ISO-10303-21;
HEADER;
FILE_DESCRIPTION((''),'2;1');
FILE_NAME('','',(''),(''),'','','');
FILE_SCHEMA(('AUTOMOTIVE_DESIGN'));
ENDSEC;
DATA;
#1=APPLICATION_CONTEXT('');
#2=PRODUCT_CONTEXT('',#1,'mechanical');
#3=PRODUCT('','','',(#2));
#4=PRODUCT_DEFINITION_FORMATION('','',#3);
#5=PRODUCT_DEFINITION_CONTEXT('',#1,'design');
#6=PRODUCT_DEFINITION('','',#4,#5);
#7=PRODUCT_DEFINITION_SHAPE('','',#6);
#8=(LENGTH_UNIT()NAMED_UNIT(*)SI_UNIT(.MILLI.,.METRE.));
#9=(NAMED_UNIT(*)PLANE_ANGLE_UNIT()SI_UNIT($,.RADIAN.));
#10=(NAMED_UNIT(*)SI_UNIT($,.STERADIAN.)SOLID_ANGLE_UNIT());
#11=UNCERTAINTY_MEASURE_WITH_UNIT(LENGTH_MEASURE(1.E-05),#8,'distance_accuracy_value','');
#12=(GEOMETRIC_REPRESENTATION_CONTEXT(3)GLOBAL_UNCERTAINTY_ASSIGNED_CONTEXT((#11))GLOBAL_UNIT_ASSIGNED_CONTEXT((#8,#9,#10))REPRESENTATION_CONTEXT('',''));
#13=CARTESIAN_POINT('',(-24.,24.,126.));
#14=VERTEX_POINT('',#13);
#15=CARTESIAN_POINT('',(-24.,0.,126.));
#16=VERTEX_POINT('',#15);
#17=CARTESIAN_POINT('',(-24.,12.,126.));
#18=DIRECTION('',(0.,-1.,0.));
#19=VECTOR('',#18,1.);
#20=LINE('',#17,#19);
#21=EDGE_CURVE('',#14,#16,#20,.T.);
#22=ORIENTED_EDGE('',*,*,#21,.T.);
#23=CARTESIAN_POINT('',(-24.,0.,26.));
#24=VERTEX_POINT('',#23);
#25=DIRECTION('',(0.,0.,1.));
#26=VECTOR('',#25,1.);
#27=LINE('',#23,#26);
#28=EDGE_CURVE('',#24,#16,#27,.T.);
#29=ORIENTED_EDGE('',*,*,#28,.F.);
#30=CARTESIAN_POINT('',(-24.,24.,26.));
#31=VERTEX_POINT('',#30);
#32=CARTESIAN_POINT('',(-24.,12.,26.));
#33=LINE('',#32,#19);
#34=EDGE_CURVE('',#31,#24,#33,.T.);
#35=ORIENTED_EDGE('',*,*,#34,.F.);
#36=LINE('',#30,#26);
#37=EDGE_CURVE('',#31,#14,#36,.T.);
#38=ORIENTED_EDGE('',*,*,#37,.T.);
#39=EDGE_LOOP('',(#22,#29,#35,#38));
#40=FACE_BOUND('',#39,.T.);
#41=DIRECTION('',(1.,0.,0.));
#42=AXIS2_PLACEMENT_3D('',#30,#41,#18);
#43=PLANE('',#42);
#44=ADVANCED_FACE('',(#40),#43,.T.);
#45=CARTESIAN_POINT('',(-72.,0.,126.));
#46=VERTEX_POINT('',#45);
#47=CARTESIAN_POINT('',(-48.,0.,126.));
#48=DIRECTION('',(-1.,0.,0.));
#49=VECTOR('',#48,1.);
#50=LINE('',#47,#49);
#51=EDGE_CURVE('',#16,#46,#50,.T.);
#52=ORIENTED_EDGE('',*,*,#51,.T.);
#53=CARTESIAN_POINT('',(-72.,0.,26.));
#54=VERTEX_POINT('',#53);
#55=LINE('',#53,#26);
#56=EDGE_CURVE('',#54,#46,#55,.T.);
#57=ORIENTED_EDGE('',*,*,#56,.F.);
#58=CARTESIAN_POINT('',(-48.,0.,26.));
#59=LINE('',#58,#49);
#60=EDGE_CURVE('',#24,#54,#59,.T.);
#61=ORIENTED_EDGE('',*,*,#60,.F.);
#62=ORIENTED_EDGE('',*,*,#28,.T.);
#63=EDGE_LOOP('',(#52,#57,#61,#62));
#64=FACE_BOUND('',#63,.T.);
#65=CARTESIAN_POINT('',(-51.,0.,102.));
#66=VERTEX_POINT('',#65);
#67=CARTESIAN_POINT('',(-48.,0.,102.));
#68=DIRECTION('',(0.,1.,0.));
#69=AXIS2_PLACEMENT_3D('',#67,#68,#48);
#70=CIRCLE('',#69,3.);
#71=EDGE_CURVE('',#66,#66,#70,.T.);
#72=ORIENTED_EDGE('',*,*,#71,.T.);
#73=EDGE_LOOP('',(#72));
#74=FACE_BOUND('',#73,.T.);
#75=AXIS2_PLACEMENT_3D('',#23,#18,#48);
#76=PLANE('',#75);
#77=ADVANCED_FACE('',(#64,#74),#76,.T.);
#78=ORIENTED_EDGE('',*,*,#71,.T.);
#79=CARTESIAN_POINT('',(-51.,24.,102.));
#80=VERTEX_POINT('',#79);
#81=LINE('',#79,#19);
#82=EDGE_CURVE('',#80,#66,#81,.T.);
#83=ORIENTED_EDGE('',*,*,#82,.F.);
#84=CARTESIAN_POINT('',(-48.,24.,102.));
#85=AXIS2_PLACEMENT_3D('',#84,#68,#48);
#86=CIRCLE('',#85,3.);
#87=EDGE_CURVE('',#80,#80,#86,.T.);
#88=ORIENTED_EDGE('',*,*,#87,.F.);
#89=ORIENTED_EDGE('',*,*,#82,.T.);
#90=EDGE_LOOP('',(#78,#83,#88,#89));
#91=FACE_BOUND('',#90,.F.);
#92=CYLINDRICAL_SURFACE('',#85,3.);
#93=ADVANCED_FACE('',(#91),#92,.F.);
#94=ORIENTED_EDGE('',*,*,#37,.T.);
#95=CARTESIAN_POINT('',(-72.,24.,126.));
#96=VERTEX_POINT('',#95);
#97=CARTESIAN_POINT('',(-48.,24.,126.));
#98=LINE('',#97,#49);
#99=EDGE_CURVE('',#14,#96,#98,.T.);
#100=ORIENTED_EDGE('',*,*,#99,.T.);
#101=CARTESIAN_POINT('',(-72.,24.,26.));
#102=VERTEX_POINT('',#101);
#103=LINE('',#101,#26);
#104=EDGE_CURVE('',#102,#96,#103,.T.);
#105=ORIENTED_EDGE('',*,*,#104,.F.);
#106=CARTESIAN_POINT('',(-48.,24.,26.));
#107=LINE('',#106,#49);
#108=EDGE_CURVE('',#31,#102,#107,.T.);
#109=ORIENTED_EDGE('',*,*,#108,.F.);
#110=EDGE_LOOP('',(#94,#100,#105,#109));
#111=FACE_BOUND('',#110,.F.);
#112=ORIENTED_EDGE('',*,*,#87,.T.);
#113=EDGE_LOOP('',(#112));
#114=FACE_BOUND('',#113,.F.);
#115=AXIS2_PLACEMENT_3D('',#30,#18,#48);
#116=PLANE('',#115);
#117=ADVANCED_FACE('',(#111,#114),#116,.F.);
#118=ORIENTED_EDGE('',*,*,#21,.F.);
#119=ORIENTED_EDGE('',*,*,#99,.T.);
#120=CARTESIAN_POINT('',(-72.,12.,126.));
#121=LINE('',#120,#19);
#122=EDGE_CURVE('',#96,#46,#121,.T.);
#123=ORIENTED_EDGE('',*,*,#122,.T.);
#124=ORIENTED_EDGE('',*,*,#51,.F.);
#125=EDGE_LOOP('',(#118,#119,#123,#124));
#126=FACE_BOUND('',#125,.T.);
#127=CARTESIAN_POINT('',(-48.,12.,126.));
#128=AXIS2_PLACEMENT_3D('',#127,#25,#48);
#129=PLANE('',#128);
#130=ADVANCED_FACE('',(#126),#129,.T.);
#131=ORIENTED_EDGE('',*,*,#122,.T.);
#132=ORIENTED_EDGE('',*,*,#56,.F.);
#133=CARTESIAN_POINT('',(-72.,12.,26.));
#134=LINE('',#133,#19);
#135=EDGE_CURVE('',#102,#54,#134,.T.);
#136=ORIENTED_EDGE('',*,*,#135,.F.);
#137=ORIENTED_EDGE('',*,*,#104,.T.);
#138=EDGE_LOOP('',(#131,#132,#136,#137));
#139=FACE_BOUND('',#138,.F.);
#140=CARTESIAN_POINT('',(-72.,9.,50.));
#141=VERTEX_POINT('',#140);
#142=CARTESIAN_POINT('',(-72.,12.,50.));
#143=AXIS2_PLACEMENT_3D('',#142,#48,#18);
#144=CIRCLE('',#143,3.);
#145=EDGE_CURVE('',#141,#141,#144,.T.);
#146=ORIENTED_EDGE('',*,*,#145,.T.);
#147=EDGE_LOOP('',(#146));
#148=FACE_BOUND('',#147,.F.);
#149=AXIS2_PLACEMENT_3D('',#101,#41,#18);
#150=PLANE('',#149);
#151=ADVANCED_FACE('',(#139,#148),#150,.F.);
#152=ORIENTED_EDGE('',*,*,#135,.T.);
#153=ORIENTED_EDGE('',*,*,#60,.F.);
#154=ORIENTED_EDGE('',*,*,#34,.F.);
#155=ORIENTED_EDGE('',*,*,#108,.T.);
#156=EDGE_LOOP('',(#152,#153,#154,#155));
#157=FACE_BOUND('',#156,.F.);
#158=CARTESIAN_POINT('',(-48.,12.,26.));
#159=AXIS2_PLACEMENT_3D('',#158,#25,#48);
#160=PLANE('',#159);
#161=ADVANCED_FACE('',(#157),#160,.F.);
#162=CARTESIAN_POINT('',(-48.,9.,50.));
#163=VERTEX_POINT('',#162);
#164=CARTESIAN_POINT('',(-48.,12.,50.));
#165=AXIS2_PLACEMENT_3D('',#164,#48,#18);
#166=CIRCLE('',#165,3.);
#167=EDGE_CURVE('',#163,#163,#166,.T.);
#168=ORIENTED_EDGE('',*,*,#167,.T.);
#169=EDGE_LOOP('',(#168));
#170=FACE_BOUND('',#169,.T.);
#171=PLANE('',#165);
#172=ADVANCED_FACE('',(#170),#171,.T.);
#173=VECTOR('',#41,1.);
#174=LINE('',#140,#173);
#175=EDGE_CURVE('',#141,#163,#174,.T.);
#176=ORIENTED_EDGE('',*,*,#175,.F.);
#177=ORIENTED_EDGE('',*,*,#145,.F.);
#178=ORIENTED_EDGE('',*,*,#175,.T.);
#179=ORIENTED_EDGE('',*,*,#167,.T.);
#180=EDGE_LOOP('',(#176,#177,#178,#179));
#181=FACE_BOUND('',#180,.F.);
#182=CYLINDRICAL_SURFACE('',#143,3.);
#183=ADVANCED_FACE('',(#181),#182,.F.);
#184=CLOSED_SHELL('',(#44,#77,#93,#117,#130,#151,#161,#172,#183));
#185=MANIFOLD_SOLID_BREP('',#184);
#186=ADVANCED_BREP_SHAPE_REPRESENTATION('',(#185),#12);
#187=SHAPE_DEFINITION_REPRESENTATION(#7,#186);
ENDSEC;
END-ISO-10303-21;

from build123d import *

# Parameters (mm, degrees)
SKETCH066_W             = 48
SKETCH066_H             = 24
PAD038_DEPTH            = 100
SKETCH067_R             = 3
POCKET028_DEPTH         = 24
SKETCH068_R             = 3
POCKET029_DEPTH         = 24.001
BODY044_PLACEMENT_ANGLE = 180


with BuildPart() as part:
    # Sketch066 → Pad038 (new body)
    with BuildSketch(Plane.XY):
        with Locations((24, 12)):
            Rectangle(SKETCH066_W, SKETCH066_H)
    extrude(amount=PAD038_DEPTH)

    # Sketch067 (on Face2 of Pad038) → Pocket028 (cut)
    with BuildSketch(Plane.YZ.offset(48)):
        with Locations((12, 24)):
            Circle(SKETCH067_R)
    extrude(amount=-POCKET028_DEPTH, mode=Mode.SUBTRACT)

    # Sketch068 (on Face1 of Pocket028) → Pocket029 (cut, through all)
    with BuildSketch(Plane.XZ):
        with Locations((24, 76)):
            Circle(SKETCH068_R)
    extrude(amount=-POCKET029_DEPTH, mode=Mode.SUBTRACT)


with BuildPart() as part_1:
    # Body044 placement: moved
    add(part.part.moved(Location((-24, 24, 26))).rotate(Axis((-24, 24, 26), (0, 0, 1)), BODY044_PLACEMENT_ANGLE))


solid = part_1.part
